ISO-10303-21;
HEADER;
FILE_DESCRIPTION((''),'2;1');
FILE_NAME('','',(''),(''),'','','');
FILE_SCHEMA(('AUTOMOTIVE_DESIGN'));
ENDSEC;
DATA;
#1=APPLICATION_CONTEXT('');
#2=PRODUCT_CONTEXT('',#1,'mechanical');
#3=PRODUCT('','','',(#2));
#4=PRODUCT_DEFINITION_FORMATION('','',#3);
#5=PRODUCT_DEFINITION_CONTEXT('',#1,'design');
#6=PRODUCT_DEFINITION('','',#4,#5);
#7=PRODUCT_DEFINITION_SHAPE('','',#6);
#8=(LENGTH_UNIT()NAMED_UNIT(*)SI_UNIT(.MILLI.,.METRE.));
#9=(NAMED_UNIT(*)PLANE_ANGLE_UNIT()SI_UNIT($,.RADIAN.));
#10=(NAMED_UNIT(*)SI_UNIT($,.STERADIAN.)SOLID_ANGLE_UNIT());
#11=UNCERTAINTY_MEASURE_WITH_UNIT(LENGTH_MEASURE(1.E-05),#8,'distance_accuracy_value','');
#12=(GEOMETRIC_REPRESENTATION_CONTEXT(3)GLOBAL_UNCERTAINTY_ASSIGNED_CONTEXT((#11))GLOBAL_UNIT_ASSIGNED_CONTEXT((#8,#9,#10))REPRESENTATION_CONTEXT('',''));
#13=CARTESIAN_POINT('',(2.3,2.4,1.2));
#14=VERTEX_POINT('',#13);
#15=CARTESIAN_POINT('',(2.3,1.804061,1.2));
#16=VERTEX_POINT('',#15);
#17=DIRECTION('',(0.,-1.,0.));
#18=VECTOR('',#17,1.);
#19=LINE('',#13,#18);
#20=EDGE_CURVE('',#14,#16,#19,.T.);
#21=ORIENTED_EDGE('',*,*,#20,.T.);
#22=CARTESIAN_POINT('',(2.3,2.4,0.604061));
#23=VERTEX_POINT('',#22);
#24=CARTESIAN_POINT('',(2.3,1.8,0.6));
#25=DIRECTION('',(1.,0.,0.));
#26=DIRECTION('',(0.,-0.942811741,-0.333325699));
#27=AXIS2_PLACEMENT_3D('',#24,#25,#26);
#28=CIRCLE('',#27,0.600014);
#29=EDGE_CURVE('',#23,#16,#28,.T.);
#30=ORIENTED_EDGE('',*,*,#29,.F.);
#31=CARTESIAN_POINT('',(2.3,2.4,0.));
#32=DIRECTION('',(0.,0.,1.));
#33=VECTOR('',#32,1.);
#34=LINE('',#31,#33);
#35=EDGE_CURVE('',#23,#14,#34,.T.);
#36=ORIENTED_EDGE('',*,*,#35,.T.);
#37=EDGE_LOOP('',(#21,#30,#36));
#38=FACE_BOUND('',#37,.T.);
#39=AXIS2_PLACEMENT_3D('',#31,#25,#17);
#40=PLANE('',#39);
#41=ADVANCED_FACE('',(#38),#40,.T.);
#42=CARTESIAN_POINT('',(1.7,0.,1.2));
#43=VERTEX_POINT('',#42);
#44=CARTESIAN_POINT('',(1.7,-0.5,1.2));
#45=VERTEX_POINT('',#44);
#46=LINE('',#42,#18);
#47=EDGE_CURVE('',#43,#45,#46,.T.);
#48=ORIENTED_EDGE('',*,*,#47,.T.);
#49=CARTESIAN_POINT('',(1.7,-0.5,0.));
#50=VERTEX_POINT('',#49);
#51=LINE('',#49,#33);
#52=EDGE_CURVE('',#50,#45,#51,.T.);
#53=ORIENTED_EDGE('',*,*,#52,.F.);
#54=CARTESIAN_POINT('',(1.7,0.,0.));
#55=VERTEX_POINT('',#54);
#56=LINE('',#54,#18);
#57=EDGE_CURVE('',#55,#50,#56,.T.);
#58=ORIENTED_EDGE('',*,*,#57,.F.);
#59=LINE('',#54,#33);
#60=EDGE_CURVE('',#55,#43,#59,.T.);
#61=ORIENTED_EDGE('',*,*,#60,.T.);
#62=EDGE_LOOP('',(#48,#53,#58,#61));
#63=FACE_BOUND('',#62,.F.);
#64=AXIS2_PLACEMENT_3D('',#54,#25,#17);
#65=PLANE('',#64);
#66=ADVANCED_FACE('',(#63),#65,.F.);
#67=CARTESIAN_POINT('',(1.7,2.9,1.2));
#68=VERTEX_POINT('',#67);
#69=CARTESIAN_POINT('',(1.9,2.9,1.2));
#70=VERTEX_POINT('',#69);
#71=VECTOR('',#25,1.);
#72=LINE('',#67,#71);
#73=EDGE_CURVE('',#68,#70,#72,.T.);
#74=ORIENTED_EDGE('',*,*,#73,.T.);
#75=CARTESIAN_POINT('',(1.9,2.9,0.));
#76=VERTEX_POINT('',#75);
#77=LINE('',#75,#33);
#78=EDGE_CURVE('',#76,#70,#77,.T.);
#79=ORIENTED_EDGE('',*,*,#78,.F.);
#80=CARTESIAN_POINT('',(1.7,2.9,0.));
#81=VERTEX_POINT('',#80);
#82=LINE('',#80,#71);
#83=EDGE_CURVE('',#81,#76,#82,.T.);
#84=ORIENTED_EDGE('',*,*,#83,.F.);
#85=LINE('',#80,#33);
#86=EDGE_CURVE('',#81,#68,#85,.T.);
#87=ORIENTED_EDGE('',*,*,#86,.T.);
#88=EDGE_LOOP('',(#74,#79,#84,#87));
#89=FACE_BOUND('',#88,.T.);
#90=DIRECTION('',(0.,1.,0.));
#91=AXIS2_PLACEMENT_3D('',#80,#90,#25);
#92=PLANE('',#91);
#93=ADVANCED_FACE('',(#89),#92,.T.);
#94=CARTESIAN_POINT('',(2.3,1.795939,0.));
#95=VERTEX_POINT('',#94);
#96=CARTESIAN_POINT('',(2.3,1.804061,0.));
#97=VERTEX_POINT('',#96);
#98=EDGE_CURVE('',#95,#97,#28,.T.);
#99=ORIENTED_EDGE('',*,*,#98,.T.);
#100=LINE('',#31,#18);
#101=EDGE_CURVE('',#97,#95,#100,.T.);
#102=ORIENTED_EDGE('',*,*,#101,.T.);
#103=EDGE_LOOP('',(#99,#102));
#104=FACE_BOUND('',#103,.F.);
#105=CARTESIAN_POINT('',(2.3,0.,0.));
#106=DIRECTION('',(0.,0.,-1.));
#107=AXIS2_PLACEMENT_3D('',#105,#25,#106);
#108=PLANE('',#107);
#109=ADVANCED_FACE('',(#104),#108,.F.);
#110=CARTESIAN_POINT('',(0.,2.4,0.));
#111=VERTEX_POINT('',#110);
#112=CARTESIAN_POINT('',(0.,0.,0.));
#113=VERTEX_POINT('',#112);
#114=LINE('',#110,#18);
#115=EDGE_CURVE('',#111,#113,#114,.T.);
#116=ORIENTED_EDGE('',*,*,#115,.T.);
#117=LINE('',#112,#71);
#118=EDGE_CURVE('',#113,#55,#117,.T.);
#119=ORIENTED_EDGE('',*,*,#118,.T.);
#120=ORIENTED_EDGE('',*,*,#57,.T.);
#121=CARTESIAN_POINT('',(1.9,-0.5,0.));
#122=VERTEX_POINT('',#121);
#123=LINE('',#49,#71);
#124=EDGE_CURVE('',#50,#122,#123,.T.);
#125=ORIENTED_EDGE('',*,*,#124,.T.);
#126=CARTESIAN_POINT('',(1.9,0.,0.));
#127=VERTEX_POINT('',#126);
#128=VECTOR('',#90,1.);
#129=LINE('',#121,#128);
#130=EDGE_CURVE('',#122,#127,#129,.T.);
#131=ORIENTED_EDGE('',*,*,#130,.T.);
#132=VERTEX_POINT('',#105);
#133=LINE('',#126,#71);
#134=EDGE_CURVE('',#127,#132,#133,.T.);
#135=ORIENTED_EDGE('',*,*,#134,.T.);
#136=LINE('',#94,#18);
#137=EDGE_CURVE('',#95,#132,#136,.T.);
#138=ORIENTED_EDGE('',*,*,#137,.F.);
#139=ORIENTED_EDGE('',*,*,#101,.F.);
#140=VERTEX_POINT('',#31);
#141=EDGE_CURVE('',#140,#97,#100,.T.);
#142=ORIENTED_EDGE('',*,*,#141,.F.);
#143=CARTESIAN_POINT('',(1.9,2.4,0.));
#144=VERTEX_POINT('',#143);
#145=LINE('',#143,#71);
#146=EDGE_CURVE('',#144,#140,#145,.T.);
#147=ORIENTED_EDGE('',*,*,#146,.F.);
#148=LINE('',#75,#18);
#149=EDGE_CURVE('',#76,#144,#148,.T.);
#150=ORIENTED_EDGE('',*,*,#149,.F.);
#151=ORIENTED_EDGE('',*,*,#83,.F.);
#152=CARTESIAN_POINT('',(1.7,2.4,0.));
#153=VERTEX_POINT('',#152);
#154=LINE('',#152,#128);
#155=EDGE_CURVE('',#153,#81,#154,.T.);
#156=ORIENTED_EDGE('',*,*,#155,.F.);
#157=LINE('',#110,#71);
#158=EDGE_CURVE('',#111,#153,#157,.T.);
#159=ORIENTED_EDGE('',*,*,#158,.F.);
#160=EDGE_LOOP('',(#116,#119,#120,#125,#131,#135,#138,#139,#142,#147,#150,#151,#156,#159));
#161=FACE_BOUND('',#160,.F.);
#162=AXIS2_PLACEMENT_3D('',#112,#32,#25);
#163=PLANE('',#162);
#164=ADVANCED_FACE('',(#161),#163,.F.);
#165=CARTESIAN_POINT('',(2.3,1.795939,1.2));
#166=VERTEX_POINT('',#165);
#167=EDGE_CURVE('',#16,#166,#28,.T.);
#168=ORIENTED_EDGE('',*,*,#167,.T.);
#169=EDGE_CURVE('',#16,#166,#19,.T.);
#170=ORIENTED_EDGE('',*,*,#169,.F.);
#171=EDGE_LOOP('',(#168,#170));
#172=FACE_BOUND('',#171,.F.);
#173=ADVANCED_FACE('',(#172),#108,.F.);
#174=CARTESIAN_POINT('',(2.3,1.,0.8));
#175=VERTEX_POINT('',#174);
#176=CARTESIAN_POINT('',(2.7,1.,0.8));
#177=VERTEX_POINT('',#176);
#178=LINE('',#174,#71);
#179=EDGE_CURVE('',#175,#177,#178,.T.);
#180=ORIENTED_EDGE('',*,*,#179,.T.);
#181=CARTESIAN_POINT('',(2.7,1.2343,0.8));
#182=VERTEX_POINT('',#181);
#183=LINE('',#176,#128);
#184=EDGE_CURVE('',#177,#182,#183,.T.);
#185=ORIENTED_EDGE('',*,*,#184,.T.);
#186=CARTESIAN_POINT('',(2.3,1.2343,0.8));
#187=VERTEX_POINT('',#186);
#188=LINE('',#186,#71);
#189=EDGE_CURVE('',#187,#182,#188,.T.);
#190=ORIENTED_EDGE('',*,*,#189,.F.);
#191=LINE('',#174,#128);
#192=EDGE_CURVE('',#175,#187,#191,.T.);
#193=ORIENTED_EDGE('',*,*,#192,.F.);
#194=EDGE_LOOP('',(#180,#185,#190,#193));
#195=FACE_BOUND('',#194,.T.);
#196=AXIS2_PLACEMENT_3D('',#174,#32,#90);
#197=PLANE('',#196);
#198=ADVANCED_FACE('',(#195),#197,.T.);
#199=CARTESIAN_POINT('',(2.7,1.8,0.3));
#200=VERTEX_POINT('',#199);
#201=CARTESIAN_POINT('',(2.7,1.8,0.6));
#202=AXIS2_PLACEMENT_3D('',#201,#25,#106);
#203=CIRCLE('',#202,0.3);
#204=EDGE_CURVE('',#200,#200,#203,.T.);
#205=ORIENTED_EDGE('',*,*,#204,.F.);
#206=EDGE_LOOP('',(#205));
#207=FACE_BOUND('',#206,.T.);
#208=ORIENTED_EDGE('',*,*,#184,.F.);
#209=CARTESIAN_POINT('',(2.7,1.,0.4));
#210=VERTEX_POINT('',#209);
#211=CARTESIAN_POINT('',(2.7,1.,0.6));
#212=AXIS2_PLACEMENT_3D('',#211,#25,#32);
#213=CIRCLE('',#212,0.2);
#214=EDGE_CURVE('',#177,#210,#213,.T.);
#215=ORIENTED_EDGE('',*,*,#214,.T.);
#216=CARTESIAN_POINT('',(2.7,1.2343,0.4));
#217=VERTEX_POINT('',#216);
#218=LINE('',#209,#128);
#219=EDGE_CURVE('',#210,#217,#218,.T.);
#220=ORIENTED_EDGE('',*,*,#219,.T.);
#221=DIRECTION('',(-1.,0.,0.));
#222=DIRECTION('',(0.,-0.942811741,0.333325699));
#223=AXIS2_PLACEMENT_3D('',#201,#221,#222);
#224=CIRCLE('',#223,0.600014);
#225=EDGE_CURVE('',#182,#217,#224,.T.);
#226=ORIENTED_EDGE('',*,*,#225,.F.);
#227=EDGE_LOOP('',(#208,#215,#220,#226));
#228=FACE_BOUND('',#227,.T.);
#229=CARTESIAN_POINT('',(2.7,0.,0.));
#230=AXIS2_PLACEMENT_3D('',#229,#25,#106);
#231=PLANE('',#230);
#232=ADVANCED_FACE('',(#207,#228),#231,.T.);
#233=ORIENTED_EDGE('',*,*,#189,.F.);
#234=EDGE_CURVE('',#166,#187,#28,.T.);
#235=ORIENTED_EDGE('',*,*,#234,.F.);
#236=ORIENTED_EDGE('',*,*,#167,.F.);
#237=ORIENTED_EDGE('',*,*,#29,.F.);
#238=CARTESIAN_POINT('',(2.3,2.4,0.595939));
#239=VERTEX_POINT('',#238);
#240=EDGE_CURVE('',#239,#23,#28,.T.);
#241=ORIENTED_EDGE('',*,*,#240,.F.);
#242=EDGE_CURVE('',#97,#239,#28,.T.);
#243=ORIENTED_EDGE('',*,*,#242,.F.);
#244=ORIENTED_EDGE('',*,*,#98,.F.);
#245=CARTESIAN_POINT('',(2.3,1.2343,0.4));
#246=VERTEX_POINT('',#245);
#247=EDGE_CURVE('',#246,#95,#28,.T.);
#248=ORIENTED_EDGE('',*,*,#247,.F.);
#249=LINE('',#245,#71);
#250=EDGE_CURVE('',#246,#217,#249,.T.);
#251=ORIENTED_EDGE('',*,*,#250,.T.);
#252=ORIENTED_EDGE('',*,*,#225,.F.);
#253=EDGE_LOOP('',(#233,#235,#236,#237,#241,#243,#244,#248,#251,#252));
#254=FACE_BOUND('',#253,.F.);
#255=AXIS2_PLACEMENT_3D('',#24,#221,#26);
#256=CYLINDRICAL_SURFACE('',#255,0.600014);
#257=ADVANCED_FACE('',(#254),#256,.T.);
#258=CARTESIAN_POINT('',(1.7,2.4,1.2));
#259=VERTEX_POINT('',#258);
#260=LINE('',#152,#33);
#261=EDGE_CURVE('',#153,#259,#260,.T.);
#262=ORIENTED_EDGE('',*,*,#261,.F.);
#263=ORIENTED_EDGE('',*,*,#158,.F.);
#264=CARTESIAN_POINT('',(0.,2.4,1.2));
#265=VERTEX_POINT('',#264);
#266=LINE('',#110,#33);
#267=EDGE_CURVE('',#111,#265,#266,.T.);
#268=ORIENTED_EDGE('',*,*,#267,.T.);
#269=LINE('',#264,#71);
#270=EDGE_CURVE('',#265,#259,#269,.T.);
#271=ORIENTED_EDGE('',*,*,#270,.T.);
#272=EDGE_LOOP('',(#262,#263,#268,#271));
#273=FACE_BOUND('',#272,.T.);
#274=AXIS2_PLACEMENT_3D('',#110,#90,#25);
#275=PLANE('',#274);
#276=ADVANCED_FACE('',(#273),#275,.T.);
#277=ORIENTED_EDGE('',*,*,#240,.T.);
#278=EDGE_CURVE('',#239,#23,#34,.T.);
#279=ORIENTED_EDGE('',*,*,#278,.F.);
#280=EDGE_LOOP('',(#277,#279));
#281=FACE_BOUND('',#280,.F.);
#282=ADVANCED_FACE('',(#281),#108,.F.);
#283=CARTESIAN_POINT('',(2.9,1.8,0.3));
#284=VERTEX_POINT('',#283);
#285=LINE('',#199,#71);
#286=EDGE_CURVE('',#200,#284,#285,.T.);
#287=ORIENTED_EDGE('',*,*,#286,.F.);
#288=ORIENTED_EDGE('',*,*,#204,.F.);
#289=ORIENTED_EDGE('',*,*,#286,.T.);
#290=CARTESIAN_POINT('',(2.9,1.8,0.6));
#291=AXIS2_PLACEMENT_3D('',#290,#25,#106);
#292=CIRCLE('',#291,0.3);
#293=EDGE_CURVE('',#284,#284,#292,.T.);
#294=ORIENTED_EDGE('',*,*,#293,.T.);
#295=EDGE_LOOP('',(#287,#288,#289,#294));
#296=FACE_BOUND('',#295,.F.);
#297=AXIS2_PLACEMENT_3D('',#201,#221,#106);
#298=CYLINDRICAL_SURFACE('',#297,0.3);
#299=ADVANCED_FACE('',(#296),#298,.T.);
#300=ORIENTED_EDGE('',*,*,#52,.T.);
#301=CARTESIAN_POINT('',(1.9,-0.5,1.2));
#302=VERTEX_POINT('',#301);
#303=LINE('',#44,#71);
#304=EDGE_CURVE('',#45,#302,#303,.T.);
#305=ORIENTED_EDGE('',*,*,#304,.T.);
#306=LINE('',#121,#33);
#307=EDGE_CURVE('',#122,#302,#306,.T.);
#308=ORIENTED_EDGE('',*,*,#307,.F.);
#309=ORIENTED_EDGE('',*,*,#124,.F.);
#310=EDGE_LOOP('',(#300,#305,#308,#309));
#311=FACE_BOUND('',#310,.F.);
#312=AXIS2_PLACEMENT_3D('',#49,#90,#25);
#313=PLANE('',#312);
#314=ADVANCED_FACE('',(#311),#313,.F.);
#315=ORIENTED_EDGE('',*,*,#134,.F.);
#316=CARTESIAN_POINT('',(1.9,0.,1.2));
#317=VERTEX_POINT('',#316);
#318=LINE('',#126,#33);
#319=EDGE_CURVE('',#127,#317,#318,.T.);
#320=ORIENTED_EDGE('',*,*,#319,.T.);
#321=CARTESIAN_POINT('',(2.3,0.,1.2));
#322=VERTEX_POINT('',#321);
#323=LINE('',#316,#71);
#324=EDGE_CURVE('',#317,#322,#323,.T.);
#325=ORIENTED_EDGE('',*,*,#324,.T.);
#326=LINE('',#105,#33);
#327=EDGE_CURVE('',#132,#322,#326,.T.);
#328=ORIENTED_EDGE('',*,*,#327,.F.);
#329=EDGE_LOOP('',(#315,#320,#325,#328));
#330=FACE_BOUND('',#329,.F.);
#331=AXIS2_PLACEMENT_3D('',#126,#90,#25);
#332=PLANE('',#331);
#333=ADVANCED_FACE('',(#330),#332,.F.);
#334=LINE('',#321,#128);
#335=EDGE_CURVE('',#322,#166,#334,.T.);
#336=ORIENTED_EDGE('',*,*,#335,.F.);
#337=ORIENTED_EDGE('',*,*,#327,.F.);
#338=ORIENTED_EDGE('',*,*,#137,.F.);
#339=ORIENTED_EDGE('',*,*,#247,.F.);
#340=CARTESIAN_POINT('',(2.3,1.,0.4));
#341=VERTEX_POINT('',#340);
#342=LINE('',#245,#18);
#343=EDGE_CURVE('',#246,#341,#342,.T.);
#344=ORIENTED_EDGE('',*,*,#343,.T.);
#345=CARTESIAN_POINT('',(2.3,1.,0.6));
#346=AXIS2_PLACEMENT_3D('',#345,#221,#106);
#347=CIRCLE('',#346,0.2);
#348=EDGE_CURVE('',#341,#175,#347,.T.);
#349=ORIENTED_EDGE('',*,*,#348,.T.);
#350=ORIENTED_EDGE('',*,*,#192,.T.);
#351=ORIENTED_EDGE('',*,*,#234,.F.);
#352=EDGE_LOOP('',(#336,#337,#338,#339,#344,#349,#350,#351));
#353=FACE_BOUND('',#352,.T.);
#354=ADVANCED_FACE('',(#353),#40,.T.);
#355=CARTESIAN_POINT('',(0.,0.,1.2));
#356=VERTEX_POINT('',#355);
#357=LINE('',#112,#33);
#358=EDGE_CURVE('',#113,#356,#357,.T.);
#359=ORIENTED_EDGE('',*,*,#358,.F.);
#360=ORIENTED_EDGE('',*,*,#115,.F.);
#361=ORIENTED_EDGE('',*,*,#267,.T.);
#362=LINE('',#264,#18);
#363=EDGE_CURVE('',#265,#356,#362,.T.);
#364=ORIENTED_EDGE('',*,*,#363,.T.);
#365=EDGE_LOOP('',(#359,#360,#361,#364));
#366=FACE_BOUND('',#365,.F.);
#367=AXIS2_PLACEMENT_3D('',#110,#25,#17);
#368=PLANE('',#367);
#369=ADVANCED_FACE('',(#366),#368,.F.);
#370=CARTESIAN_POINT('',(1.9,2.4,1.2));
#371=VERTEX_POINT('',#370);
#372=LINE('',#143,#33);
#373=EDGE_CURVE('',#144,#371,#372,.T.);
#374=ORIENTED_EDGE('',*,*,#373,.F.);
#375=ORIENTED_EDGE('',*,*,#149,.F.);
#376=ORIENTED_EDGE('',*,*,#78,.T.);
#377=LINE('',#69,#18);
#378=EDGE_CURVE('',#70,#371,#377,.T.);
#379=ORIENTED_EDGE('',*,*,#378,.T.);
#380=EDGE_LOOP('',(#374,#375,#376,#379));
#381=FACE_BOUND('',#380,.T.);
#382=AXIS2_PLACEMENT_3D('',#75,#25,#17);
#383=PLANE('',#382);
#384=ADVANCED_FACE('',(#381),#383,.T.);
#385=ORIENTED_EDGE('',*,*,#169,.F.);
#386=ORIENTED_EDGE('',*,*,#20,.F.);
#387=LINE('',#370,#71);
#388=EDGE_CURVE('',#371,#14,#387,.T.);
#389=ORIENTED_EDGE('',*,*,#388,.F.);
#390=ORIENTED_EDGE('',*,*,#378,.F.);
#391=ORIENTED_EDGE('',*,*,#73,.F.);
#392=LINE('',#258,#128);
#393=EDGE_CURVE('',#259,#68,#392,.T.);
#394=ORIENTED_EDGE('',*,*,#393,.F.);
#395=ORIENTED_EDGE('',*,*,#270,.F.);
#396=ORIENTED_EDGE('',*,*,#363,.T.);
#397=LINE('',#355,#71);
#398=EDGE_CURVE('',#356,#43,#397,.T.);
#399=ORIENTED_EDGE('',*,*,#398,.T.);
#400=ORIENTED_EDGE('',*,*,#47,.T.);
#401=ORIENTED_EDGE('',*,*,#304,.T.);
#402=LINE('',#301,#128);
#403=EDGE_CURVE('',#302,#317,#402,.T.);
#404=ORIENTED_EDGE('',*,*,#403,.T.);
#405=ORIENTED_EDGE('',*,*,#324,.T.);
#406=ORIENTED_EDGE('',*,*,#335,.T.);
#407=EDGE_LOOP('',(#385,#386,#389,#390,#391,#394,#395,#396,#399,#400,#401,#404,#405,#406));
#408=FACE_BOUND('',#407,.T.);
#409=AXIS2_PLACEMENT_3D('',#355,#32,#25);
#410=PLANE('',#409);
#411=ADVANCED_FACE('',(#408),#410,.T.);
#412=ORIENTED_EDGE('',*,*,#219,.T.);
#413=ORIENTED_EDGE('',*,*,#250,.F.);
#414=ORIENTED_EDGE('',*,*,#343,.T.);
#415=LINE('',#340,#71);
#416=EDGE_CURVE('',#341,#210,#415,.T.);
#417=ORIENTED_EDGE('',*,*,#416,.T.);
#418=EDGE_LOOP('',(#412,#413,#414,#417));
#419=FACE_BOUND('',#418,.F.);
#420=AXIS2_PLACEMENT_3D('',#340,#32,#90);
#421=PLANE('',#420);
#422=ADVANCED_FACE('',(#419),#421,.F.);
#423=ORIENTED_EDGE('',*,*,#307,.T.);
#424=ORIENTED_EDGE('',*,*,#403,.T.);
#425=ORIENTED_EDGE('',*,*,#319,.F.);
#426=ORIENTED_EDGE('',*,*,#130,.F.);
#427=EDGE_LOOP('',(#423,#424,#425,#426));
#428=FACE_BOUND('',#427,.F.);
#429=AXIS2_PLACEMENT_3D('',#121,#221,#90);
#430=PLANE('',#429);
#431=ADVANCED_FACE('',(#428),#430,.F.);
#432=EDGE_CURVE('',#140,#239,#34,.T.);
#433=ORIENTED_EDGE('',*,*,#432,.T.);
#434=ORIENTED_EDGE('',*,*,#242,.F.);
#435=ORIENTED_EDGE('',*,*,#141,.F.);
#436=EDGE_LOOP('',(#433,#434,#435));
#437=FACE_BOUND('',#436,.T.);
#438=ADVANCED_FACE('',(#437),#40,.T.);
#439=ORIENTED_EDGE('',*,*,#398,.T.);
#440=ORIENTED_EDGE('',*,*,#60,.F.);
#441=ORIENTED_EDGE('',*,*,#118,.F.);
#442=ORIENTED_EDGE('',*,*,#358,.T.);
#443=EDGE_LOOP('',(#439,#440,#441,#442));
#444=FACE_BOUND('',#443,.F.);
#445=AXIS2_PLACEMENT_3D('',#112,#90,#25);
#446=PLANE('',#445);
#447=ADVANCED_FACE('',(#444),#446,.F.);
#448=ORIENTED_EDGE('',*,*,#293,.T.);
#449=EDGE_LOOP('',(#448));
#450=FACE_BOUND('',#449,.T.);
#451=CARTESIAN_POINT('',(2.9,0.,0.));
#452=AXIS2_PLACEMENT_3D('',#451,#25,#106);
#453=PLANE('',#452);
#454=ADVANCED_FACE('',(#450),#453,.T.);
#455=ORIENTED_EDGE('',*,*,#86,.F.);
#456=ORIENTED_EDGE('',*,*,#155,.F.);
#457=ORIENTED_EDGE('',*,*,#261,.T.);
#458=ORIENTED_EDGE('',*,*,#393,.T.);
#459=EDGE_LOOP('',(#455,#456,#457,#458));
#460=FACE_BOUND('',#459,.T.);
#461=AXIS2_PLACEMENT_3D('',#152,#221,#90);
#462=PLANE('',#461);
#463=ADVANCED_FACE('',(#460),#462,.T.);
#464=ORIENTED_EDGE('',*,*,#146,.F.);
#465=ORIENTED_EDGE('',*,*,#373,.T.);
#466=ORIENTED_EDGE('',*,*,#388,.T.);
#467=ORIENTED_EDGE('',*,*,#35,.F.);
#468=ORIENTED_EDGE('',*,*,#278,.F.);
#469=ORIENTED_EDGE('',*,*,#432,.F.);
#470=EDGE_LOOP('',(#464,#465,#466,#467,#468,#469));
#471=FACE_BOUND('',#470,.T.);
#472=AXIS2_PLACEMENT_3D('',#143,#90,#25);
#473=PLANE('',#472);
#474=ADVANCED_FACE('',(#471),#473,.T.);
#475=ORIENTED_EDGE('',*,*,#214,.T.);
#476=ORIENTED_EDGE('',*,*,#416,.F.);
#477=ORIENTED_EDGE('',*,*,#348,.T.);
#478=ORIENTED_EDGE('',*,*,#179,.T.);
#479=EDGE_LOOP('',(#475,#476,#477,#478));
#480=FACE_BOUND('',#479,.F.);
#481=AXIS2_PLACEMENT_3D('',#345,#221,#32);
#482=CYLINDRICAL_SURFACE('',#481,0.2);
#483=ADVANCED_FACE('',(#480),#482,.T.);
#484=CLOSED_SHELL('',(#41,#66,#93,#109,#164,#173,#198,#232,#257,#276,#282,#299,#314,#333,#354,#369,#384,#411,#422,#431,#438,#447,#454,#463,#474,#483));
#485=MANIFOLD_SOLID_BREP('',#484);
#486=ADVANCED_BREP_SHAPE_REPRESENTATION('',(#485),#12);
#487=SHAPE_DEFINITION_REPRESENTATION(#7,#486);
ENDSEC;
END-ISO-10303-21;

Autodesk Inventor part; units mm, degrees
ref_plane "YZ Plane" through (0, 0, 0) normal (1, 0, 0) x (0, 1, 0)
ref_plane "XZ Plane" through (0, 0, 0) normal (0, 1, 0) x (-1, 0, 0)
ref_plane "XY Plane" through (0, 0, 0) normal (0, 0, 1) x (1, 0, 0)
sketch "Boceto1" plane through (0, 0, 0) normal (0, 0, 1) x (1, 0, 0)
  line L0 (0, 2.4) -> (0, 0)
  line L1 (0, 0) -> (1.7, 0)
  line L2 (0, 2.4) -> (1.7, 2.4)
  line L3 (1.7, 2.4) -> (1.7, 2.9)
  line L4 (1.7, 2.9) -> (1.9, 2.9)
  line L5 (1.9, 2.9) -> (1.9, 2.4)
  line L6 (1.9, 2.4) -> (2.3, 2.4)
  line L7 (2.3, 2.4) -> (2.3, 0)
  line L8 (2.3, 2.4) -> (2.7, 2.4)
  line L9 (2.7, 1.2) -> (2.7, 0.8)
  line L10 (2.7, 0.8) -> (2.3, 0.8)
  line L11 (1.7, 0) -> (1.7, -0.5)
  line L12 (1.7, -0.5) -> (1.9, -0.5)
  line L13 (1.9, -0.5) -> (1.9, 0)
  line L14 (1.9, 0) -> (2.3, 0)
  line L15 (2.3, 1.2) -> (2.7, 1.2)
  line L16 (2.7, 1.2) -> (2.7, 2.4)
  line L17 (2.7, 1.5) -> (2.9, 1.5)
  line L18 (2.9, 1.5) -> (2.9, 2.1)
  line L19 (2.9, 2.1) -> (2.7, 2.1)
extrude "Extrusión1" add sketch "Boceto1" along normal blind 1.2 contours L2 L3 L4 L5 L6 L7 L14 L13 L12 L11 L1 L0
sketch "Boceto2" plane through (2.3, 0, 0) normal (1, 0, 0) x (0, 0, -1)
  line L0 (0, 0) -> (0, 2.4) projected
  line L1 (0, 2.4) -> (-1.2, 2.4) projected
  line L2 (-1.2, 0) -> (-1.2, 2.4) projected
  line L3 (0, 0) -> (-1.2, 0) projected
  line L4 (-1.2, 2.4) -> (-1.2, 0)
  line L5 (-1.2, 0) -> (0, 0)
  line L6 (0, 2.4) -> (-1.2, 2.4)
  line L7 (-1.2, 2.9) -> (0, 2.9)
  line L8 (-1.2, 2.9) -> (-1.2, 2.4)
  line L9 (-1.2, -0.5) -> (0, -0.5)
  line L10 (0, -0.5) -> (0, 2.9)
  line L11 (-1.2, 0) -> (-1.2, -0.5)
  arc A0 (-0.4, 1.2343) -> (-0.8, 1.2343) centre (-0.6, 1.8) ccw
  circle A1 centre (-0.6, 1.8) radius 0.3
  arc A2 (-0.8, 1) -> (-0.4, 1) centre (-0.6, 1) ccw
  line L12 (-0.8, 1) -> (-0.8, 1.2343)
  line L13 (-0.4, 1) -> (-0.4, 1.2343)
extrude "Extrusión2" add sketch "Boceto2" along normal blind 0.4 contours A0 L13 A2 L12 | A1
sketch "Boceto3" plane through (2.7, 0, 0) normal (1, 0, 0) x (0, 0, -1)
  line L0 (-1.2, 2.4) -> (-1.2, 0)
  line L1 (-1.2, 0) -> (0, 0)
  line L2 (0, 2.4) -> (-1.2, 2.4)
  line L3 (-1.2, 2.9) -> (0, 2.9)
  line L4 (-1.2, 2.9) -> (-1.2, 2.4)
  line L5 (-1.2, -0.5) -> (0, -0.5)
  line L6 (0, -0.5) -> (0, 2.9)
  line L7 (-1.2, 0) -> (-1.2, -0.5)
  arc A0 (-0.4, 1.2343) -> (-0.8, 1.2343) centre (-0.6, 1.8) ccw
  circle A1 centre (-0.6, 1.8) radius 0.3
  arc A2 (-0.8, 1) -> (-0.4, 1) centre (-0.6, 1) ccw
  line L8 (-0.8, 1) -> (-0.8, 1.2343)
  line L9 (-0.4, 1) -> (-0.4, 1.2343)
  arc A3 (-0.4, 1.2343) -> (-0.8, 1.2343) centre (-0.6, 1.8) ccw projected
  line L10 (-0.8, 1.2343) -> (-0.8, 1) projected
  arc A4 (-0.8, 1) -> (-0.4, 1) centre (-0.6, 1) ccw projected
  line L11 (-0.4, 1) -> (-0.4, 1.2343) projected
  point P0 (0, 0)
extrude "Extrusión3" add sketch "Boceto3" along normal blind 0.2 contours A1
properties part number "learnbotServo"
